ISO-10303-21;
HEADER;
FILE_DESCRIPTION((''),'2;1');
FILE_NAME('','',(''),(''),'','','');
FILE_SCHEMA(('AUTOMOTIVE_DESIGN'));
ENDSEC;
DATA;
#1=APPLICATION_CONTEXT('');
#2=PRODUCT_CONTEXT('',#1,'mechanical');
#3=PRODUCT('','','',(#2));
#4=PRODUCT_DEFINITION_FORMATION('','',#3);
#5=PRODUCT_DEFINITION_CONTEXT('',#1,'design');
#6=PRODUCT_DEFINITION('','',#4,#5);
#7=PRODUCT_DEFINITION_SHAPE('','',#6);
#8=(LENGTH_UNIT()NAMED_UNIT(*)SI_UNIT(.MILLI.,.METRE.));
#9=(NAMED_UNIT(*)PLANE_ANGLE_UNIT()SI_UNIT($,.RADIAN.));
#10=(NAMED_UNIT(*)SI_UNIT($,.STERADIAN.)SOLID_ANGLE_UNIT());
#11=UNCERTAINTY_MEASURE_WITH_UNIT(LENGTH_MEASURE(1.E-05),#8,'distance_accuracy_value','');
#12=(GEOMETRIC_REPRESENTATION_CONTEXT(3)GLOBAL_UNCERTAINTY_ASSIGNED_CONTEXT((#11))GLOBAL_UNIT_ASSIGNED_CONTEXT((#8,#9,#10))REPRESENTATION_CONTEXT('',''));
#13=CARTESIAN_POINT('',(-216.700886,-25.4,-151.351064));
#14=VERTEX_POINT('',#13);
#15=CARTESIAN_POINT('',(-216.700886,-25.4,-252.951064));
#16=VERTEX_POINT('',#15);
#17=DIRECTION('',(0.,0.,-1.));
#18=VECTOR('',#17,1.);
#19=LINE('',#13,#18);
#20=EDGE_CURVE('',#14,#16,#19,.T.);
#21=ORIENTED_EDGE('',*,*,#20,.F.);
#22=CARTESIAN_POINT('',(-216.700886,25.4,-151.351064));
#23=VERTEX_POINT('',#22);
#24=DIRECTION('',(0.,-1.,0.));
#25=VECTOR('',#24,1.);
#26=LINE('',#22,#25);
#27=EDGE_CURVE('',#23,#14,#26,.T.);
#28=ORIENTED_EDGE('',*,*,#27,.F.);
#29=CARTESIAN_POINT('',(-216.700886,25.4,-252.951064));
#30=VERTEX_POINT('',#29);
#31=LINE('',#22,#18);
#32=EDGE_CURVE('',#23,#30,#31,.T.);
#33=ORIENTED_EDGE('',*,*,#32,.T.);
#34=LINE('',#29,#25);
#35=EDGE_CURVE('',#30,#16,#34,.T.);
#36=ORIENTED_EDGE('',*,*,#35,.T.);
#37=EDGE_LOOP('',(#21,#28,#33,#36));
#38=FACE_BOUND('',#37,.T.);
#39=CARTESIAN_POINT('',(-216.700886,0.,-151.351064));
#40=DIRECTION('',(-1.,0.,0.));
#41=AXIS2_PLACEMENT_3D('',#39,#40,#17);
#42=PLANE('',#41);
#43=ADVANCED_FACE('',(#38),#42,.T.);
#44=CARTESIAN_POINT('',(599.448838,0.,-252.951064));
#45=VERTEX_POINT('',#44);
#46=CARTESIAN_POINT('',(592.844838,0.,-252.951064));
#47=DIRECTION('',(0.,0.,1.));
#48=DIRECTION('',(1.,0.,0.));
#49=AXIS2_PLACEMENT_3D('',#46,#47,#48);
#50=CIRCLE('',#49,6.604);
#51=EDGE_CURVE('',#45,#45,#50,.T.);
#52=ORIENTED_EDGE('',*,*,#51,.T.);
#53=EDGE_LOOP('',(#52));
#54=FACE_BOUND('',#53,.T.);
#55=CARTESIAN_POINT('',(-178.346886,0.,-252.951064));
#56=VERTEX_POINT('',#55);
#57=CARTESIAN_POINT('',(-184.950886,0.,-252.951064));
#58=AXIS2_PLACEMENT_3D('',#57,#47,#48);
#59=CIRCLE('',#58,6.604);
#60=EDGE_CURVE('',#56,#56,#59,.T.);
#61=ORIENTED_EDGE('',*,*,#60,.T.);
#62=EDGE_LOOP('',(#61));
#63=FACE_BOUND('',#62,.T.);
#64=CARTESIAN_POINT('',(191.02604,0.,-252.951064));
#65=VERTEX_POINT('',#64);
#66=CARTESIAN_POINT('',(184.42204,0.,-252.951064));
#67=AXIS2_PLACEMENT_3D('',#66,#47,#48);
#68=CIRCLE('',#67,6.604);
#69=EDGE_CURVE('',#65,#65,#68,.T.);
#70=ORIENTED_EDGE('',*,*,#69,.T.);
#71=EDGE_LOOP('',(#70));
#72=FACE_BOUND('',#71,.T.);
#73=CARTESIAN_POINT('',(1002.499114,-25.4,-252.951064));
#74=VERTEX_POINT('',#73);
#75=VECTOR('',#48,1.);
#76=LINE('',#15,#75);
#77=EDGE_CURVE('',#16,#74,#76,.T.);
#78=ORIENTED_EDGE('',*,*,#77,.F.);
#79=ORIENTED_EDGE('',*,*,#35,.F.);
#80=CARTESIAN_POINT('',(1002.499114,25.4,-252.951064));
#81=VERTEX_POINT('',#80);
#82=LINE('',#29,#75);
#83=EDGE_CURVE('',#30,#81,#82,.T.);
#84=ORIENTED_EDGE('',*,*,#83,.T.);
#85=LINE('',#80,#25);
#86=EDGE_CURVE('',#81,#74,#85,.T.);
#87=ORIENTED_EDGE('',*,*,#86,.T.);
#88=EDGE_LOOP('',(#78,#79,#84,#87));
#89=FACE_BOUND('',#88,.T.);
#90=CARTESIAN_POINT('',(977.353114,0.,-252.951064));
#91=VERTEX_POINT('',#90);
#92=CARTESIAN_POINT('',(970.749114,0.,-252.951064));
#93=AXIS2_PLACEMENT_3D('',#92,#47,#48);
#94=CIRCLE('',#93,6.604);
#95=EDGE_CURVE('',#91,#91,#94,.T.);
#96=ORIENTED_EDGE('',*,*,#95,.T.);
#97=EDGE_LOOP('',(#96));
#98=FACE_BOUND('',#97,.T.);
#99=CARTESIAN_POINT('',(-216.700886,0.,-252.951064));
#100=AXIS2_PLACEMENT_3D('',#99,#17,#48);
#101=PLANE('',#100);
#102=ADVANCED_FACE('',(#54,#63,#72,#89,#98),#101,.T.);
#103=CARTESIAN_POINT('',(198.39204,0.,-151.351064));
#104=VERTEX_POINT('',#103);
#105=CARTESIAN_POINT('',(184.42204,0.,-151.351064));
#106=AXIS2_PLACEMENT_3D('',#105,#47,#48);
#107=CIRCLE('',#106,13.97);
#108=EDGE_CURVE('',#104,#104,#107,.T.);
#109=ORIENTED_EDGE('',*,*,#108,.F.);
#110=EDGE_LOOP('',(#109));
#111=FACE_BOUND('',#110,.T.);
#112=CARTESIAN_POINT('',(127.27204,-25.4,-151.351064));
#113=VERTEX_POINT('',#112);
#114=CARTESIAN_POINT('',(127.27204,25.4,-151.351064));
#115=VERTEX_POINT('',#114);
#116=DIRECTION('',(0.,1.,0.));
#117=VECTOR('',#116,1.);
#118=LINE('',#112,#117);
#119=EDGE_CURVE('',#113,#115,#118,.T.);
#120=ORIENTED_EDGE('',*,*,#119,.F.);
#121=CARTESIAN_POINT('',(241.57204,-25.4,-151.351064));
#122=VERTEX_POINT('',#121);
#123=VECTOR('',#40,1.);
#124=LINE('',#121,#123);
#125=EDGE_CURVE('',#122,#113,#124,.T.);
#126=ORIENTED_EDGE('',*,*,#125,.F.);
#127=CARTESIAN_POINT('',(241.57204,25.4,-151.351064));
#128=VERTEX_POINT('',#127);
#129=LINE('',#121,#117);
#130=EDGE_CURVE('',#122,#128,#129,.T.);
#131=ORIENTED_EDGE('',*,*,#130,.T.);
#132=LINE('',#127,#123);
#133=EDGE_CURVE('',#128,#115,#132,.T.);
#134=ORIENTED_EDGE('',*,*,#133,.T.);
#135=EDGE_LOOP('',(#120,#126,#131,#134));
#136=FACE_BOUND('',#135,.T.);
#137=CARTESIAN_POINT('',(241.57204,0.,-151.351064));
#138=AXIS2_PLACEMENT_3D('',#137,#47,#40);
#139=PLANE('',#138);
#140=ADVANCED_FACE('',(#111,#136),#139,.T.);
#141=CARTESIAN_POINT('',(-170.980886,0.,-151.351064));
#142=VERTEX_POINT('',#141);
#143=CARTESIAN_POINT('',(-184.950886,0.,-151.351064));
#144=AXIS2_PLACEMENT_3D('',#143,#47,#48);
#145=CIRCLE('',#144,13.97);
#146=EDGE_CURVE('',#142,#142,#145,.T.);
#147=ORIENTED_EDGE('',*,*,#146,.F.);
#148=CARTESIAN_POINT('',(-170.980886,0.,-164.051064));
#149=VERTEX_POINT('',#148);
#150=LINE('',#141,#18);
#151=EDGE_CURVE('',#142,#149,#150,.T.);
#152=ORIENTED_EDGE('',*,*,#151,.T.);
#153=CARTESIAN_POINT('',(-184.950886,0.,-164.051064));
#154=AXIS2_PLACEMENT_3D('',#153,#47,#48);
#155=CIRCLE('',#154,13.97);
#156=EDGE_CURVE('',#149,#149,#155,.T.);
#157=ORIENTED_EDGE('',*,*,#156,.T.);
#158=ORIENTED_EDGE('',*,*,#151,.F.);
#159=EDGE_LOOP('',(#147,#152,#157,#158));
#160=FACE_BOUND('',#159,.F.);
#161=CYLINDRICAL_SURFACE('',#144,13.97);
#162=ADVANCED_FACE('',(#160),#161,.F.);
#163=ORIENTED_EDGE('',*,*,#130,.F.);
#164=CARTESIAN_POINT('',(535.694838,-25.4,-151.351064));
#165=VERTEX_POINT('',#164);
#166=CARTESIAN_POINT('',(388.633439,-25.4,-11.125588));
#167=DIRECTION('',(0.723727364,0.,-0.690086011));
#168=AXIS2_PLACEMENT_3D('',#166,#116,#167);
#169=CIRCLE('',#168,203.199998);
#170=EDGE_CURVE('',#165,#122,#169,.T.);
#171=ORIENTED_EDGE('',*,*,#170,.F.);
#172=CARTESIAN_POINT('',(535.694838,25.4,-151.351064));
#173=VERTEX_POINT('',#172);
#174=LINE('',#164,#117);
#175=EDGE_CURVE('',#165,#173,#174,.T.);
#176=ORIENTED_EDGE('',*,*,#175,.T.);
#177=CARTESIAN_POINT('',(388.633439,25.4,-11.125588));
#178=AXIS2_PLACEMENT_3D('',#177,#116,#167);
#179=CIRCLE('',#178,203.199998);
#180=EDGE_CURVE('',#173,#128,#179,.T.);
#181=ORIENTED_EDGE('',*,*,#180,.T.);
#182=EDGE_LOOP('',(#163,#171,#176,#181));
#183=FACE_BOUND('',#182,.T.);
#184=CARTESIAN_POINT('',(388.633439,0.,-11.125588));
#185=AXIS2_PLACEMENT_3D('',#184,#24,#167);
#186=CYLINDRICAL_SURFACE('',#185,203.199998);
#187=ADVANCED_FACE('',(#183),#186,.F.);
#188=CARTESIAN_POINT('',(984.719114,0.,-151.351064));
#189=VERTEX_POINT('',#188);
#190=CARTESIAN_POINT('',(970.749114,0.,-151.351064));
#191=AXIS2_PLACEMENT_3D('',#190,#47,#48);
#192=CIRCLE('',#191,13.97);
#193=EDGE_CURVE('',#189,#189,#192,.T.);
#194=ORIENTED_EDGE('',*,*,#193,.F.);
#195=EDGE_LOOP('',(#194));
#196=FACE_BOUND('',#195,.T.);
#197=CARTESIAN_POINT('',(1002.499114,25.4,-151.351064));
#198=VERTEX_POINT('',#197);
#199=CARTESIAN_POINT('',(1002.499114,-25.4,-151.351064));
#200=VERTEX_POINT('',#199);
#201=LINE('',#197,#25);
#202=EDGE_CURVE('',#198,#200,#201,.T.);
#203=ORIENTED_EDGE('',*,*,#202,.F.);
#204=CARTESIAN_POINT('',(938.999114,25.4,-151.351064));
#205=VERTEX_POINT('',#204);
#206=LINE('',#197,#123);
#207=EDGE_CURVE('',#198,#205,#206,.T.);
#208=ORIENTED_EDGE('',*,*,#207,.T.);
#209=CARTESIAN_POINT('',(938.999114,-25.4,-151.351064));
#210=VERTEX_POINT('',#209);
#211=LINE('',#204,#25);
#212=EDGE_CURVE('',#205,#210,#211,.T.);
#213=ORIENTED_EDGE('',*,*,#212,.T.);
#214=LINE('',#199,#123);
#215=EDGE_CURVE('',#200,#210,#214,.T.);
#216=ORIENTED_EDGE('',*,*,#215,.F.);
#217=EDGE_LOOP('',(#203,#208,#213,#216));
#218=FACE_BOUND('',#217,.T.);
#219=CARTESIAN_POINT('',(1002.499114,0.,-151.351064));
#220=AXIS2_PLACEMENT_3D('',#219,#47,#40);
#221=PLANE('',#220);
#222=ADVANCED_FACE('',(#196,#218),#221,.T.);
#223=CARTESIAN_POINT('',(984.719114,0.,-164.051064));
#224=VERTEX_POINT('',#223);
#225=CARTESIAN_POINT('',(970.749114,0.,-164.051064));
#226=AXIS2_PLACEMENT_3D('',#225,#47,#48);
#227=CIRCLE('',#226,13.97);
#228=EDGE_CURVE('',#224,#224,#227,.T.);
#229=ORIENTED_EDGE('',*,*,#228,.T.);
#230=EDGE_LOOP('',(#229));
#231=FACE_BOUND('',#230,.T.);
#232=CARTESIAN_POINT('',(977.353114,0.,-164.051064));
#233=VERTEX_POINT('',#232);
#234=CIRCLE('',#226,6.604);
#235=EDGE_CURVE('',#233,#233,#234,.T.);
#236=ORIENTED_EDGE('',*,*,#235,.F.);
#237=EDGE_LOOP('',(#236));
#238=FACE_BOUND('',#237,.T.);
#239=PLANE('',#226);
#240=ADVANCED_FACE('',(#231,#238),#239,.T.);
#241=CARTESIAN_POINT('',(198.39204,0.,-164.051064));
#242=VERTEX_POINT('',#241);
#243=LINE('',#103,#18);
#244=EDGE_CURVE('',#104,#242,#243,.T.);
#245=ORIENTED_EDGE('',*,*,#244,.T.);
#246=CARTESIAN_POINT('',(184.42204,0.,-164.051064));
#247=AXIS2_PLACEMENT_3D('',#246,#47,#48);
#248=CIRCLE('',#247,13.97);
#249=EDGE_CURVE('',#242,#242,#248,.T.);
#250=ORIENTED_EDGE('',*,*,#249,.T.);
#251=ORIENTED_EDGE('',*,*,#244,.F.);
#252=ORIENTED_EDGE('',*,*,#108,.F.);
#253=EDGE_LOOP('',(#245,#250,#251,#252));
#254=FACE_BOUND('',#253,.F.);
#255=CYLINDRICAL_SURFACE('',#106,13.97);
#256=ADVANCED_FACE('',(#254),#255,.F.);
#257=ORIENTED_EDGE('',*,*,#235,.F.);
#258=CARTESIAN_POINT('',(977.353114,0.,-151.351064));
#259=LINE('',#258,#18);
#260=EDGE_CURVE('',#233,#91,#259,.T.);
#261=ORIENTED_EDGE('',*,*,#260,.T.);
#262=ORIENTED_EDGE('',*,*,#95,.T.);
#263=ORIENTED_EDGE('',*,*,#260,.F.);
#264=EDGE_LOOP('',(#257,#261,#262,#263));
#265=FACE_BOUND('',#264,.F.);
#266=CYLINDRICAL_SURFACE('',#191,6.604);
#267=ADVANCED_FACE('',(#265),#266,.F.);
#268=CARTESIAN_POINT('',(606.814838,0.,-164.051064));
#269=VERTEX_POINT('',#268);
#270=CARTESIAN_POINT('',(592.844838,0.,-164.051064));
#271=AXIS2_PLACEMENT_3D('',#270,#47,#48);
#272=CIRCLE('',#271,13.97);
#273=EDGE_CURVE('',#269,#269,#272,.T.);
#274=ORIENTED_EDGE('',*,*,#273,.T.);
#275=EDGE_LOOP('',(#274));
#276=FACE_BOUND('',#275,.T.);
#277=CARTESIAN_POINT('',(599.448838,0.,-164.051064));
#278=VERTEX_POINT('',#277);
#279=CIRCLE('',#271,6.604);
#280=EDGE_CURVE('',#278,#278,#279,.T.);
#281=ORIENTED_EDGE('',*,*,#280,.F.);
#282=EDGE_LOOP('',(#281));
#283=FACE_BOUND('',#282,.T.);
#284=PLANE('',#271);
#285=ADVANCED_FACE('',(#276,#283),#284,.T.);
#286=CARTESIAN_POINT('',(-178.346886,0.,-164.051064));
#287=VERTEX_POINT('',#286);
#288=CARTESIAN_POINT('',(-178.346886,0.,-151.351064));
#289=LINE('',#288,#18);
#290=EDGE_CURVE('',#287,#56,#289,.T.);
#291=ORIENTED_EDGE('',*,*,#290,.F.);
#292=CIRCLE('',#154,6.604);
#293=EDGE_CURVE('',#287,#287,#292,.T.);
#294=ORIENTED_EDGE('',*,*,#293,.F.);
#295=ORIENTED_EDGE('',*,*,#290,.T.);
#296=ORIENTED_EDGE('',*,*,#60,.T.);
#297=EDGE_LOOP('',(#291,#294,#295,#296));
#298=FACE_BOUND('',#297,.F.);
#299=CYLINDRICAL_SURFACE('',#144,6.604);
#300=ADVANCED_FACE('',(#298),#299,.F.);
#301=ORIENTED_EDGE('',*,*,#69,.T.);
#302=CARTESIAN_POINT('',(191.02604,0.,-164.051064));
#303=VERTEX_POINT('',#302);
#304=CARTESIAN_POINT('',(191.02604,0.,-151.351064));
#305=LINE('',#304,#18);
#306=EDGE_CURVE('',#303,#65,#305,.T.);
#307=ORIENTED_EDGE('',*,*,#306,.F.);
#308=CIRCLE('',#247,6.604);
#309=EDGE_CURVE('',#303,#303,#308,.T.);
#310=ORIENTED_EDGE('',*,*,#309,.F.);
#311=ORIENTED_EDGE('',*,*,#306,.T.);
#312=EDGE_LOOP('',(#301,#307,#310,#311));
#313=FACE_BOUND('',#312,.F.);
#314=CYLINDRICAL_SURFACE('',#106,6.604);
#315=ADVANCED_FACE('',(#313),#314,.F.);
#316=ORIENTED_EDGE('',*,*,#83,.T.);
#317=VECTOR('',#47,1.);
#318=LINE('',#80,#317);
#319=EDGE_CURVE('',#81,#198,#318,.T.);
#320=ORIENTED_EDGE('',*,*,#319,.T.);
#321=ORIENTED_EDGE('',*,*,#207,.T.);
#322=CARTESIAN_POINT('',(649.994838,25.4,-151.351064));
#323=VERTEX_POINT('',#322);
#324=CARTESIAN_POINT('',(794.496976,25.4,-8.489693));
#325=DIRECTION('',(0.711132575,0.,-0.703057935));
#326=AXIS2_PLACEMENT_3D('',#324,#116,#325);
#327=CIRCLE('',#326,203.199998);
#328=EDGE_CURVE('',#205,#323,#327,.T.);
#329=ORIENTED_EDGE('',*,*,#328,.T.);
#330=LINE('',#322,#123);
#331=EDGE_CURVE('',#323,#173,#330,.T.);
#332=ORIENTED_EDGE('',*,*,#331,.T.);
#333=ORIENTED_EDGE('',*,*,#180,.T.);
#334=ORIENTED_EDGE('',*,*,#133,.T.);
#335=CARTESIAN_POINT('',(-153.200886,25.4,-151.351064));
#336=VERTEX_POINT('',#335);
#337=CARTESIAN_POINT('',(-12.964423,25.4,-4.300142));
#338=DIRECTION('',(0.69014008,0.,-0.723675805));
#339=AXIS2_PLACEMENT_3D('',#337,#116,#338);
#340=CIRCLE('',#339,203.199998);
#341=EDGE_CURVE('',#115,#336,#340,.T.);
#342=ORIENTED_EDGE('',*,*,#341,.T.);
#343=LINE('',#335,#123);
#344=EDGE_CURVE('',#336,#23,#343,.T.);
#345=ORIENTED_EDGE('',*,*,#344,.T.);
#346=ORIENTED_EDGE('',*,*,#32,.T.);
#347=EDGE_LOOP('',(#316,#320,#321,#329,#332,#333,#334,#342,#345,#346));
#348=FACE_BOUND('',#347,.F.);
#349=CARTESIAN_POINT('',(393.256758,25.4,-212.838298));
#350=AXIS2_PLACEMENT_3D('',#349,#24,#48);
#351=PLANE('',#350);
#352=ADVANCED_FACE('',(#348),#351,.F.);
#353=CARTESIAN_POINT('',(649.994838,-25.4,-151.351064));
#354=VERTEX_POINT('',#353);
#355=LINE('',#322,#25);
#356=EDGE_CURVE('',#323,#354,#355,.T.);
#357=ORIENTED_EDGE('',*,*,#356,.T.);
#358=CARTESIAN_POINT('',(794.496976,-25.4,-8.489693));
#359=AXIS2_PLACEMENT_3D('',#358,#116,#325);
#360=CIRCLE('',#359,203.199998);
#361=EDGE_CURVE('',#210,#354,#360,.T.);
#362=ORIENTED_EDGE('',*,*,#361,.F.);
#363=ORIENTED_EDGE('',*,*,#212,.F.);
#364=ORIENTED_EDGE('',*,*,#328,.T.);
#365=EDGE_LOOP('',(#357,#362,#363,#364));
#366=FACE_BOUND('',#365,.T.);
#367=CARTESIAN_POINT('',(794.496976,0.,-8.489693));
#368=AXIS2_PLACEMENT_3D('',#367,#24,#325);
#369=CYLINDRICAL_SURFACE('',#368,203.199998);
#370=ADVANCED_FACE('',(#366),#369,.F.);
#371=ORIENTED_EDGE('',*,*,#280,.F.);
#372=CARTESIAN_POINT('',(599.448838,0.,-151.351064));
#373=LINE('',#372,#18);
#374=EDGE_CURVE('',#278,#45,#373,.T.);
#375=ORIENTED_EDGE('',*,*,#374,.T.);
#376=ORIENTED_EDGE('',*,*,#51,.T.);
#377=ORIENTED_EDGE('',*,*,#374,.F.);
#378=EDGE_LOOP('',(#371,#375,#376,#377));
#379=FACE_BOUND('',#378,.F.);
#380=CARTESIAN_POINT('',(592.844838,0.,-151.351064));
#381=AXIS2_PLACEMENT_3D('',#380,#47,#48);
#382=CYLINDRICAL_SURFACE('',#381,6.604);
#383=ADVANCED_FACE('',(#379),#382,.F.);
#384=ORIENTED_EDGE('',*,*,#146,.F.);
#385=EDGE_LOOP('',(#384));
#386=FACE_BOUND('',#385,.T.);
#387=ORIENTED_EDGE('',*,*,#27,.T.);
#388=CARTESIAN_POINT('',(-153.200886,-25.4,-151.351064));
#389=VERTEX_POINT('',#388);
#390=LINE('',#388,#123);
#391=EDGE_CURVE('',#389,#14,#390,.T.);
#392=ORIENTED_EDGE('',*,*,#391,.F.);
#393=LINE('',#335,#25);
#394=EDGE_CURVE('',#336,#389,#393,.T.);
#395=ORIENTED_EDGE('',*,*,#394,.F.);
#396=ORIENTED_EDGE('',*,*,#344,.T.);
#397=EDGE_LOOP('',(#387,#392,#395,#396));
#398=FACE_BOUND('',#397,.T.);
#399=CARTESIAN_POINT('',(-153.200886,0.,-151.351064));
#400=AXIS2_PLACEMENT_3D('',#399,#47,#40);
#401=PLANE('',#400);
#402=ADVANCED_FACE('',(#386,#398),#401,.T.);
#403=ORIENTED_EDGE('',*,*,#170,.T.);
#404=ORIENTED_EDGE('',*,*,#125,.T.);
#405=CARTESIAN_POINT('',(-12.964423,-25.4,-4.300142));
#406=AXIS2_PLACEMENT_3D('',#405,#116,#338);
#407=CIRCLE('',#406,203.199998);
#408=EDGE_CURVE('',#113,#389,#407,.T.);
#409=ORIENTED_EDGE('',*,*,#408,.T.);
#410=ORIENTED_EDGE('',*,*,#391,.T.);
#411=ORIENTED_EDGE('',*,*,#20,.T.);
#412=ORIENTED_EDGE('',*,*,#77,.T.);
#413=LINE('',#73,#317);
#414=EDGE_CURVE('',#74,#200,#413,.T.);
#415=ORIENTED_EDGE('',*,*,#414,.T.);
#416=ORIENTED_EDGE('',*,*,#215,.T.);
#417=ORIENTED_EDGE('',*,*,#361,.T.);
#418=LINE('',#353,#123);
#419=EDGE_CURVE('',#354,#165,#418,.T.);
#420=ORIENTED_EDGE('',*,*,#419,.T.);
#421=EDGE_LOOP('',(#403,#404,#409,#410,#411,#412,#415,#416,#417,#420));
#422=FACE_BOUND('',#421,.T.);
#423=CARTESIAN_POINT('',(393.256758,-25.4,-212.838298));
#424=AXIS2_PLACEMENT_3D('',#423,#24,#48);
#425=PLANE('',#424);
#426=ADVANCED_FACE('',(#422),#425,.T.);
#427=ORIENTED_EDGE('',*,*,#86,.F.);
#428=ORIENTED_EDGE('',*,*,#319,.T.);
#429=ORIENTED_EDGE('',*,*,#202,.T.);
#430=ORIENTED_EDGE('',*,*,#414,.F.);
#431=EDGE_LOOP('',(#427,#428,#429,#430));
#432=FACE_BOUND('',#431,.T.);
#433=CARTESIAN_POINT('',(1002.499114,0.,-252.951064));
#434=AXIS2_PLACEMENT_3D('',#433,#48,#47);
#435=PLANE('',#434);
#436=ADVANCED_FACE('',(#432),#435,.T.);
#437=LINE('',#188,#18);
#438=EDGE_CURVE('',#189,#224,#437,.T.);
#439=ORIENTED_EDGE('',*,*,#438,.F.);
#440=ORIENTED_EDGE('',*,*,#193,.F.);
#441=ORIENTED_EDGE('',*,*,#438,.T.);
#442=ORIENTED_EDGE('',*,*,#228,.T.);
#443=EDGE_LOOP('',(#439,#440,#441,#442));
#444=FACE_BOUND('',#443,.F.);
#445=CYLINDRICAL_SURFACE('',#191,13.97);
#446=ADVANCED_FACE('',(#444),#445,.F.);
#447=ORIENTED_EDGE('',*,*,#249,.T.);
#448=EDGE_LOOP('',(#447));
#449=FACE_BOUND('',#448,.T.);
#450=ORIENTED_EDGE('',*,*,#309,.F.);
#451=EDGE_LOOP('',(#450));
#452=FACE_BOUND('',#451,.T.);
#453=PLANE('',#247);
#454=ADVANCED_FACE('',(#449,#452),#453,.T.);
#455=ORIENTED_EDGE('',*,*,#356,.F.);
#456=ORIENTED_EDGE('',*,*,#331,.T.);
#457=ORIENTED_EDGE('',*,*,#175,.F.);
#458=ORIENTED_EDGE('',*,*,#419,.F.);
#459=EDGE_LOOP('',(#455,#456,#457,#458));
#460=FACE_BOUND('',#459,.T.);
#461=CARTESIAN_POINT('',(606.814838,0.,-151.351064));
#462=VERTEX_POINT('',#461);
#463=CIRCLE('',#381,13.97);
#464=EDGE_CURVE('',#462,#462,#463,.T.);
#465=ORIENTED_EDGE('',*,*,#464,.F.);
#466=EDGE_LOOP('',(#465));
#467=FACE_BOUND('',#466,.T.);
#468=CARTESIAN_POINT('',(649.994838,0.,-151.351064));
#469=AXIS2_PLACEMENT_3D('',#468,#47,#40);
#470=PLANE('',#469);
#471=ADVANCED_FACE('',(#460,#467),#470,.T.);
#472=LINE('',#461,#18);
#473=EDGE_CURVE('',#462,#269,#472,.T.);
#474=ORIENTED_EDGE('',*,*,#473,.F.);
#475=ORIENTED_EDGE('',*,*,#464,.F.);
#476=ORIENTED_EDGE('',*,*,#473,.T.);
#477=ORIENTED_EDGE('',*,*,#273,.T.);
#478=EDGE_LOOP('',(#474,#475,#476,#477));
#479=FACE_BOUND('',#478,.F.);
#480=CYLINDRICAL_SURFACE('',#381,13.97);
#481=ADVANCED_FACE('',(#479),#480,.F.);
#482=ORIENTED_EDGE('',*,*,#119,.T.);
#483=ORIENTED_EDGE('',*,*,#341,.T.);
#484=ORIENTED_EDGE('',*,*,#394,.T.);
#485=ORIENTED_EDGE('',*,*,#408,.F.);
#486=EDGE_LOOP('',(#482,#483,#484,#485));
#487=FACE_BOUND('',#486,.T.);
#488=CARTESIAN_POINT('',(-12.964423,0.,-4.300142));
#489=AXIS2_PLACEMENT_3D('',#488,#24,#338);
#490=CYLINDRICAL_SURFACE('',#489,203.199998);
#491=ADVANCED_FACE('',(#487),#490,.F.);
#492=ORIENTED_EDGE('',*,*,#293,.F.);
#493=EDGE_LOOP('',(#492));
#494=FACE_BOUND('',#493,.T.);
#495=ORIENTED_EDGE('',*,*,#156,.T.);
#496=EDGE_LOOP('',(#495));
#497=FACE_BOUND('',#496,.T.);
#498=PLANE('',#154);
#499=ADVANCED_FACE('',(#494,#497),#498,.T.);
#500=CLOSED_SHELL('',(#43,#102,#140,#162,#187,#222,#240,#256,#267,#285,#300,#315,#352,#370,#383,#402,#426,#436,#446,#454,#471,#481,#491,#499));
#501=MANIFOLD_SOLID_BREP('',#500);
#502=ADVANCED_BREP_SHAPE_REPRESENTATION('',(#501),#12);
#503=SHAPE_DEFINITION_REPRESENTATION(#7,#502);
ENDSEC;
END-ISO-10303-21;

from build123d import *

# Parameters (mm, degrees)
F1_DEPTH  = 25.4
F2_R      = 6.604
F3_DEPTH  = 101.601
F4_R      = 13.97
F5_DEPTH  = 12.7
F6_R      = 6.604
F7_DEPTH  = 101.601
F8_R      = 13.97
F9_DEPTH  = 12.7
F10_R     = 6.604
F11_DEPTH = 101.601
F12_R     = 13.97
F13_DEPTH = 12.7
F14_R     = 6.604
F15_DEPTH = 101.601
F16_R     = 13.97
F17_DEPTH = 12.7


with BuildPart() as f1:
    # F0 (on Front) → F1 (new body, symmetric)
    with BuildSketch(Plane.XZ):
        with BuildLine():
            ThreePointArc((127.27204, -151.351064), (-12.964423, -207.50014), (-153.200886, -151.351064))
            Line((-153.200886, -151.351064), (-216.700886, -151.351064))
            Line((-216.700886, -151.351064), (-216.700886, -252.951064))
            Line((-216.700886, -252.951064), (1002.499114, -252.951064))
            Line((1002.499114, -252.951064), (1002.499114, -151.351064))
            Line((1002.499114, -151.351064), (938.999114, -151.351064))
            ThreePointArc((938.999114, -151.351064), (794.496976, -211.689691), (649.994838, -151.351064))
            Line((649.994838, -151.351064), (535.694838, -151.351064))
            ThreePointArc((535.694838, -151.351064), (388.633439, -214.325586), (241.57204, -151.351064))
            Line((241.57204, -151.351064), (127.27204, -151.351064))
        make_face()
    extrude(amount=F1_DEPTH, both=True)

    # F2 (on face) → F3 (cut, through all)
    with BuildSketch(Plane.XY.offset(-151.351064)):
        with Locations((-184.950886, 0)):
            Circle(F2_R)
    extrude(amount=-F3_DEPTH, mode=Mode.SUBTRACT)

    # F4 (on face) → F5 (cut)
    with BuildSketch(Plane.XY.offset(-151.351064)):
        with Locations((-184.950886, 0)):
            Circle(F4_R)
    extrude(amount=-F5_DEPTH, mode=Mode.SUBTRACT)

    # F6 (on face) → F7 (cut, through all)
    with BuildSketch(Plane.XY.offset(-151.351064)):
        with Locations((184.42204, 0)):
            Circle(F6_R)
    extrude(amount=-F7_DEPTH, mode=Mode.SUBTRACT)

    # F8 (on face) → F9 (cut)
    with BuildSketch(Plane.XY.offset(-151.351064)):
        with Locations((184.42204, 0)):
            Circle(F8_R)
    extrude(amount=-F9_DEPTH, mode=Mode.SUBTRACT)

    # F10 (on face) → F11 (cut, through all)
    with BuildSketch(Plane.XY.offset(-151.351064)):
        with Locations((592.844838, 0)):
            Circle(F10_R)
    extrude(amount=-F11_DEPTH, mode=Mode.SUBTRACT)

    # F12 (on face) → F13 (cut)
    with BuildSketch(Plane.XY.offset(-151.351064)):
        with Locations((592.844838, 0)):
            Circle(F12_R)
    extrude(amount=-F13_DEPTH, mode=Mode.SUBTRACT)

    # F14 (on face) → F15 (cut, through all)
    with BuildSketch(Plane.XY.offset(-151.351064)):
        with Locations((970.749114, 0)):
            Circle(F14_R)
    extrude(amount=-F15_DEPTH, mode=Mode.SUBTRACT)

    # F16 (on face) → F17 (cut)
    with BuildSketch(Plane.XY.offset(-151.351064)):
        with Locations((970.749114, 0)):
            Circle(F16_R)
    extrude(amount=-F17_DEPTH, mode=Mode.SUBTRACT)


solid = f1.part
